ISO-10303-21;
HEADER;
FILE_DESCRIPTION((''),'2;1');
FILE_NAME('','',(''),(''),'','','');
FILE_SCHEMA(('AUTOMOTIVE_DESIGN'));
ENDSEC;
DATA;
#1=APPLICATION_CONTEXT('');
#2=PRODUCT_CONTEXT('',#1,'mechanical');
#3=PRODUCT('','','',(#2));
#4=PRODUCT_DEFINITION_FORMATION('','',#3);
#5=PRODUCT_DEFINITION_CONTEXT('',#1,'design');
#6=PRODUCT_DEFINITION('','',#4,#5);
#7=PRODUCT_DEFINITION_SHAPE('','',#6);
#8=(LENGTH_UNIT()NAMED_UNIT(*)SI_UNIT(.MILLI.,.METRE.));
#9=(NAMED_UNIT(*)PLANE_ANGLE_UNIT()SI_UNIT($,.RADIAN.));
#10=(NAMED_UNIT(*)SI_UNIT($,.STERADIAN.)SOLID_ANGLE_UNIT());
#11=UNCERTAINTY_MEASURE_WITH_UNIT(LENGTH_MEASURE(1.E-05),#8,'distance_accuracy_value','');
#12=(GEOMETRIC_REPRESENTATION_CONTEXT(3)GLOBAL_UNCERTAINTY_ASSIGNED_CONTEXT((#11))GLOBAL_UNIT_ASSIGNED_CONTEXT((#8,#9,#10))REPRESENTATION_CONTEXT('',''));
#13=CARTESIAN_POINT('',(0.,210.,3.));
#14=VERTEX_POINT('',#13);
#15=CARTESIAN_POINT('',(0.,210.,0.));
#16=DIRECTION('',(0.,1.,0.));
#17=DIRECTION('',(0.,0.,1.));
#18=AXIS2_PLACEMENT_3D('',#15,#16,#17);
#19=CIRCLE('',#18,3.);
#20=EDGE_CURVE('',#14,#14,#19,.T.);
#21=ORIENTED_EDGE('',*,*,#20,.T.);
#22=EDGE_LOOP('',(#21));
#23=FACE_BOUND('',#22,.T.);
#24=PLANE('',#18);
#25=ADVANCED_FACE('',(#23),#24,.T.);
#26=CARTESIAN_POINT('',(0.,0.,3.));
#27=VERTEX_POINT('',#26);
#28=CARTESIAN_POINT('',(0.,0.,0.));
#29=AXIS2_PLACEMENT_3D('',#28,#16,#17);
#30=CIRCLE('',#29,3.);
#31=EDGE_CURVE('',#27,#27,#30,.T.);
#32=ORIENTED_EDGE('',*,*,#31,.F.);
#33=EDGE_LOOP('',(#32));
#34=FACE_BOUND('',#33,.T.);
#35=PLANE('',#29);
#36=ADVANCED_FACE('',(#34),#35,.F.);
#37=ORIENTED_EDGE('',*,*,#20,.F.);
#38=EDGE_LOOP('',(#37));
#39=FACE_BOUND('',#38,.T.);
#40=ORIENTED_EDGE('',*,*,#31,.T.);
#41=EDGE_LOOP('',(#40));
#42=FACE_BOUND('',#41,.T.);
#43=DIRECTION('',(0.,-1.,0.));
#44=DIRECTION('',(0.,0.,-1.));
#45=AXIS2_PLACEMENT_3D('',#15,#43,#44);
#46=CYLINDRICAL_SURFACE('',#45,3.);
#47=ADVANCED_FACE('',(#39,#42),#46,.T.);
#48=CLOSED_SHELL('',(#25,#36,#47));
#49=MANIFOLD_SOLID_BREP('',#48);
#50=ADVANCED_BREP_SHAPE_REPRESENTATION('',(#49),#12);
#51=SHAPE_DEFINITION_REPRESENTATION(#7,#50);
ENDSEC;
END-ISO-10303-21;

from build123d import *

# Parameters (mm, degrees)
ESQUISSE1_R        = 3
BOSS_EXTRU_1_DEPTH = 210


with BuildPart() as part:
    # Esquisse1 → Boss.-Extru.1 (new body)
    with BuildSketch(Plane(origin=(0, 0, 0), x_dir=(1, 0, 0), z_dir=(0, 1, 0))):
        Circle(ESQUISSE1_R)
    extrude(amount=BOSS_EXTRU_1_DEPTH)


solid = part.part
